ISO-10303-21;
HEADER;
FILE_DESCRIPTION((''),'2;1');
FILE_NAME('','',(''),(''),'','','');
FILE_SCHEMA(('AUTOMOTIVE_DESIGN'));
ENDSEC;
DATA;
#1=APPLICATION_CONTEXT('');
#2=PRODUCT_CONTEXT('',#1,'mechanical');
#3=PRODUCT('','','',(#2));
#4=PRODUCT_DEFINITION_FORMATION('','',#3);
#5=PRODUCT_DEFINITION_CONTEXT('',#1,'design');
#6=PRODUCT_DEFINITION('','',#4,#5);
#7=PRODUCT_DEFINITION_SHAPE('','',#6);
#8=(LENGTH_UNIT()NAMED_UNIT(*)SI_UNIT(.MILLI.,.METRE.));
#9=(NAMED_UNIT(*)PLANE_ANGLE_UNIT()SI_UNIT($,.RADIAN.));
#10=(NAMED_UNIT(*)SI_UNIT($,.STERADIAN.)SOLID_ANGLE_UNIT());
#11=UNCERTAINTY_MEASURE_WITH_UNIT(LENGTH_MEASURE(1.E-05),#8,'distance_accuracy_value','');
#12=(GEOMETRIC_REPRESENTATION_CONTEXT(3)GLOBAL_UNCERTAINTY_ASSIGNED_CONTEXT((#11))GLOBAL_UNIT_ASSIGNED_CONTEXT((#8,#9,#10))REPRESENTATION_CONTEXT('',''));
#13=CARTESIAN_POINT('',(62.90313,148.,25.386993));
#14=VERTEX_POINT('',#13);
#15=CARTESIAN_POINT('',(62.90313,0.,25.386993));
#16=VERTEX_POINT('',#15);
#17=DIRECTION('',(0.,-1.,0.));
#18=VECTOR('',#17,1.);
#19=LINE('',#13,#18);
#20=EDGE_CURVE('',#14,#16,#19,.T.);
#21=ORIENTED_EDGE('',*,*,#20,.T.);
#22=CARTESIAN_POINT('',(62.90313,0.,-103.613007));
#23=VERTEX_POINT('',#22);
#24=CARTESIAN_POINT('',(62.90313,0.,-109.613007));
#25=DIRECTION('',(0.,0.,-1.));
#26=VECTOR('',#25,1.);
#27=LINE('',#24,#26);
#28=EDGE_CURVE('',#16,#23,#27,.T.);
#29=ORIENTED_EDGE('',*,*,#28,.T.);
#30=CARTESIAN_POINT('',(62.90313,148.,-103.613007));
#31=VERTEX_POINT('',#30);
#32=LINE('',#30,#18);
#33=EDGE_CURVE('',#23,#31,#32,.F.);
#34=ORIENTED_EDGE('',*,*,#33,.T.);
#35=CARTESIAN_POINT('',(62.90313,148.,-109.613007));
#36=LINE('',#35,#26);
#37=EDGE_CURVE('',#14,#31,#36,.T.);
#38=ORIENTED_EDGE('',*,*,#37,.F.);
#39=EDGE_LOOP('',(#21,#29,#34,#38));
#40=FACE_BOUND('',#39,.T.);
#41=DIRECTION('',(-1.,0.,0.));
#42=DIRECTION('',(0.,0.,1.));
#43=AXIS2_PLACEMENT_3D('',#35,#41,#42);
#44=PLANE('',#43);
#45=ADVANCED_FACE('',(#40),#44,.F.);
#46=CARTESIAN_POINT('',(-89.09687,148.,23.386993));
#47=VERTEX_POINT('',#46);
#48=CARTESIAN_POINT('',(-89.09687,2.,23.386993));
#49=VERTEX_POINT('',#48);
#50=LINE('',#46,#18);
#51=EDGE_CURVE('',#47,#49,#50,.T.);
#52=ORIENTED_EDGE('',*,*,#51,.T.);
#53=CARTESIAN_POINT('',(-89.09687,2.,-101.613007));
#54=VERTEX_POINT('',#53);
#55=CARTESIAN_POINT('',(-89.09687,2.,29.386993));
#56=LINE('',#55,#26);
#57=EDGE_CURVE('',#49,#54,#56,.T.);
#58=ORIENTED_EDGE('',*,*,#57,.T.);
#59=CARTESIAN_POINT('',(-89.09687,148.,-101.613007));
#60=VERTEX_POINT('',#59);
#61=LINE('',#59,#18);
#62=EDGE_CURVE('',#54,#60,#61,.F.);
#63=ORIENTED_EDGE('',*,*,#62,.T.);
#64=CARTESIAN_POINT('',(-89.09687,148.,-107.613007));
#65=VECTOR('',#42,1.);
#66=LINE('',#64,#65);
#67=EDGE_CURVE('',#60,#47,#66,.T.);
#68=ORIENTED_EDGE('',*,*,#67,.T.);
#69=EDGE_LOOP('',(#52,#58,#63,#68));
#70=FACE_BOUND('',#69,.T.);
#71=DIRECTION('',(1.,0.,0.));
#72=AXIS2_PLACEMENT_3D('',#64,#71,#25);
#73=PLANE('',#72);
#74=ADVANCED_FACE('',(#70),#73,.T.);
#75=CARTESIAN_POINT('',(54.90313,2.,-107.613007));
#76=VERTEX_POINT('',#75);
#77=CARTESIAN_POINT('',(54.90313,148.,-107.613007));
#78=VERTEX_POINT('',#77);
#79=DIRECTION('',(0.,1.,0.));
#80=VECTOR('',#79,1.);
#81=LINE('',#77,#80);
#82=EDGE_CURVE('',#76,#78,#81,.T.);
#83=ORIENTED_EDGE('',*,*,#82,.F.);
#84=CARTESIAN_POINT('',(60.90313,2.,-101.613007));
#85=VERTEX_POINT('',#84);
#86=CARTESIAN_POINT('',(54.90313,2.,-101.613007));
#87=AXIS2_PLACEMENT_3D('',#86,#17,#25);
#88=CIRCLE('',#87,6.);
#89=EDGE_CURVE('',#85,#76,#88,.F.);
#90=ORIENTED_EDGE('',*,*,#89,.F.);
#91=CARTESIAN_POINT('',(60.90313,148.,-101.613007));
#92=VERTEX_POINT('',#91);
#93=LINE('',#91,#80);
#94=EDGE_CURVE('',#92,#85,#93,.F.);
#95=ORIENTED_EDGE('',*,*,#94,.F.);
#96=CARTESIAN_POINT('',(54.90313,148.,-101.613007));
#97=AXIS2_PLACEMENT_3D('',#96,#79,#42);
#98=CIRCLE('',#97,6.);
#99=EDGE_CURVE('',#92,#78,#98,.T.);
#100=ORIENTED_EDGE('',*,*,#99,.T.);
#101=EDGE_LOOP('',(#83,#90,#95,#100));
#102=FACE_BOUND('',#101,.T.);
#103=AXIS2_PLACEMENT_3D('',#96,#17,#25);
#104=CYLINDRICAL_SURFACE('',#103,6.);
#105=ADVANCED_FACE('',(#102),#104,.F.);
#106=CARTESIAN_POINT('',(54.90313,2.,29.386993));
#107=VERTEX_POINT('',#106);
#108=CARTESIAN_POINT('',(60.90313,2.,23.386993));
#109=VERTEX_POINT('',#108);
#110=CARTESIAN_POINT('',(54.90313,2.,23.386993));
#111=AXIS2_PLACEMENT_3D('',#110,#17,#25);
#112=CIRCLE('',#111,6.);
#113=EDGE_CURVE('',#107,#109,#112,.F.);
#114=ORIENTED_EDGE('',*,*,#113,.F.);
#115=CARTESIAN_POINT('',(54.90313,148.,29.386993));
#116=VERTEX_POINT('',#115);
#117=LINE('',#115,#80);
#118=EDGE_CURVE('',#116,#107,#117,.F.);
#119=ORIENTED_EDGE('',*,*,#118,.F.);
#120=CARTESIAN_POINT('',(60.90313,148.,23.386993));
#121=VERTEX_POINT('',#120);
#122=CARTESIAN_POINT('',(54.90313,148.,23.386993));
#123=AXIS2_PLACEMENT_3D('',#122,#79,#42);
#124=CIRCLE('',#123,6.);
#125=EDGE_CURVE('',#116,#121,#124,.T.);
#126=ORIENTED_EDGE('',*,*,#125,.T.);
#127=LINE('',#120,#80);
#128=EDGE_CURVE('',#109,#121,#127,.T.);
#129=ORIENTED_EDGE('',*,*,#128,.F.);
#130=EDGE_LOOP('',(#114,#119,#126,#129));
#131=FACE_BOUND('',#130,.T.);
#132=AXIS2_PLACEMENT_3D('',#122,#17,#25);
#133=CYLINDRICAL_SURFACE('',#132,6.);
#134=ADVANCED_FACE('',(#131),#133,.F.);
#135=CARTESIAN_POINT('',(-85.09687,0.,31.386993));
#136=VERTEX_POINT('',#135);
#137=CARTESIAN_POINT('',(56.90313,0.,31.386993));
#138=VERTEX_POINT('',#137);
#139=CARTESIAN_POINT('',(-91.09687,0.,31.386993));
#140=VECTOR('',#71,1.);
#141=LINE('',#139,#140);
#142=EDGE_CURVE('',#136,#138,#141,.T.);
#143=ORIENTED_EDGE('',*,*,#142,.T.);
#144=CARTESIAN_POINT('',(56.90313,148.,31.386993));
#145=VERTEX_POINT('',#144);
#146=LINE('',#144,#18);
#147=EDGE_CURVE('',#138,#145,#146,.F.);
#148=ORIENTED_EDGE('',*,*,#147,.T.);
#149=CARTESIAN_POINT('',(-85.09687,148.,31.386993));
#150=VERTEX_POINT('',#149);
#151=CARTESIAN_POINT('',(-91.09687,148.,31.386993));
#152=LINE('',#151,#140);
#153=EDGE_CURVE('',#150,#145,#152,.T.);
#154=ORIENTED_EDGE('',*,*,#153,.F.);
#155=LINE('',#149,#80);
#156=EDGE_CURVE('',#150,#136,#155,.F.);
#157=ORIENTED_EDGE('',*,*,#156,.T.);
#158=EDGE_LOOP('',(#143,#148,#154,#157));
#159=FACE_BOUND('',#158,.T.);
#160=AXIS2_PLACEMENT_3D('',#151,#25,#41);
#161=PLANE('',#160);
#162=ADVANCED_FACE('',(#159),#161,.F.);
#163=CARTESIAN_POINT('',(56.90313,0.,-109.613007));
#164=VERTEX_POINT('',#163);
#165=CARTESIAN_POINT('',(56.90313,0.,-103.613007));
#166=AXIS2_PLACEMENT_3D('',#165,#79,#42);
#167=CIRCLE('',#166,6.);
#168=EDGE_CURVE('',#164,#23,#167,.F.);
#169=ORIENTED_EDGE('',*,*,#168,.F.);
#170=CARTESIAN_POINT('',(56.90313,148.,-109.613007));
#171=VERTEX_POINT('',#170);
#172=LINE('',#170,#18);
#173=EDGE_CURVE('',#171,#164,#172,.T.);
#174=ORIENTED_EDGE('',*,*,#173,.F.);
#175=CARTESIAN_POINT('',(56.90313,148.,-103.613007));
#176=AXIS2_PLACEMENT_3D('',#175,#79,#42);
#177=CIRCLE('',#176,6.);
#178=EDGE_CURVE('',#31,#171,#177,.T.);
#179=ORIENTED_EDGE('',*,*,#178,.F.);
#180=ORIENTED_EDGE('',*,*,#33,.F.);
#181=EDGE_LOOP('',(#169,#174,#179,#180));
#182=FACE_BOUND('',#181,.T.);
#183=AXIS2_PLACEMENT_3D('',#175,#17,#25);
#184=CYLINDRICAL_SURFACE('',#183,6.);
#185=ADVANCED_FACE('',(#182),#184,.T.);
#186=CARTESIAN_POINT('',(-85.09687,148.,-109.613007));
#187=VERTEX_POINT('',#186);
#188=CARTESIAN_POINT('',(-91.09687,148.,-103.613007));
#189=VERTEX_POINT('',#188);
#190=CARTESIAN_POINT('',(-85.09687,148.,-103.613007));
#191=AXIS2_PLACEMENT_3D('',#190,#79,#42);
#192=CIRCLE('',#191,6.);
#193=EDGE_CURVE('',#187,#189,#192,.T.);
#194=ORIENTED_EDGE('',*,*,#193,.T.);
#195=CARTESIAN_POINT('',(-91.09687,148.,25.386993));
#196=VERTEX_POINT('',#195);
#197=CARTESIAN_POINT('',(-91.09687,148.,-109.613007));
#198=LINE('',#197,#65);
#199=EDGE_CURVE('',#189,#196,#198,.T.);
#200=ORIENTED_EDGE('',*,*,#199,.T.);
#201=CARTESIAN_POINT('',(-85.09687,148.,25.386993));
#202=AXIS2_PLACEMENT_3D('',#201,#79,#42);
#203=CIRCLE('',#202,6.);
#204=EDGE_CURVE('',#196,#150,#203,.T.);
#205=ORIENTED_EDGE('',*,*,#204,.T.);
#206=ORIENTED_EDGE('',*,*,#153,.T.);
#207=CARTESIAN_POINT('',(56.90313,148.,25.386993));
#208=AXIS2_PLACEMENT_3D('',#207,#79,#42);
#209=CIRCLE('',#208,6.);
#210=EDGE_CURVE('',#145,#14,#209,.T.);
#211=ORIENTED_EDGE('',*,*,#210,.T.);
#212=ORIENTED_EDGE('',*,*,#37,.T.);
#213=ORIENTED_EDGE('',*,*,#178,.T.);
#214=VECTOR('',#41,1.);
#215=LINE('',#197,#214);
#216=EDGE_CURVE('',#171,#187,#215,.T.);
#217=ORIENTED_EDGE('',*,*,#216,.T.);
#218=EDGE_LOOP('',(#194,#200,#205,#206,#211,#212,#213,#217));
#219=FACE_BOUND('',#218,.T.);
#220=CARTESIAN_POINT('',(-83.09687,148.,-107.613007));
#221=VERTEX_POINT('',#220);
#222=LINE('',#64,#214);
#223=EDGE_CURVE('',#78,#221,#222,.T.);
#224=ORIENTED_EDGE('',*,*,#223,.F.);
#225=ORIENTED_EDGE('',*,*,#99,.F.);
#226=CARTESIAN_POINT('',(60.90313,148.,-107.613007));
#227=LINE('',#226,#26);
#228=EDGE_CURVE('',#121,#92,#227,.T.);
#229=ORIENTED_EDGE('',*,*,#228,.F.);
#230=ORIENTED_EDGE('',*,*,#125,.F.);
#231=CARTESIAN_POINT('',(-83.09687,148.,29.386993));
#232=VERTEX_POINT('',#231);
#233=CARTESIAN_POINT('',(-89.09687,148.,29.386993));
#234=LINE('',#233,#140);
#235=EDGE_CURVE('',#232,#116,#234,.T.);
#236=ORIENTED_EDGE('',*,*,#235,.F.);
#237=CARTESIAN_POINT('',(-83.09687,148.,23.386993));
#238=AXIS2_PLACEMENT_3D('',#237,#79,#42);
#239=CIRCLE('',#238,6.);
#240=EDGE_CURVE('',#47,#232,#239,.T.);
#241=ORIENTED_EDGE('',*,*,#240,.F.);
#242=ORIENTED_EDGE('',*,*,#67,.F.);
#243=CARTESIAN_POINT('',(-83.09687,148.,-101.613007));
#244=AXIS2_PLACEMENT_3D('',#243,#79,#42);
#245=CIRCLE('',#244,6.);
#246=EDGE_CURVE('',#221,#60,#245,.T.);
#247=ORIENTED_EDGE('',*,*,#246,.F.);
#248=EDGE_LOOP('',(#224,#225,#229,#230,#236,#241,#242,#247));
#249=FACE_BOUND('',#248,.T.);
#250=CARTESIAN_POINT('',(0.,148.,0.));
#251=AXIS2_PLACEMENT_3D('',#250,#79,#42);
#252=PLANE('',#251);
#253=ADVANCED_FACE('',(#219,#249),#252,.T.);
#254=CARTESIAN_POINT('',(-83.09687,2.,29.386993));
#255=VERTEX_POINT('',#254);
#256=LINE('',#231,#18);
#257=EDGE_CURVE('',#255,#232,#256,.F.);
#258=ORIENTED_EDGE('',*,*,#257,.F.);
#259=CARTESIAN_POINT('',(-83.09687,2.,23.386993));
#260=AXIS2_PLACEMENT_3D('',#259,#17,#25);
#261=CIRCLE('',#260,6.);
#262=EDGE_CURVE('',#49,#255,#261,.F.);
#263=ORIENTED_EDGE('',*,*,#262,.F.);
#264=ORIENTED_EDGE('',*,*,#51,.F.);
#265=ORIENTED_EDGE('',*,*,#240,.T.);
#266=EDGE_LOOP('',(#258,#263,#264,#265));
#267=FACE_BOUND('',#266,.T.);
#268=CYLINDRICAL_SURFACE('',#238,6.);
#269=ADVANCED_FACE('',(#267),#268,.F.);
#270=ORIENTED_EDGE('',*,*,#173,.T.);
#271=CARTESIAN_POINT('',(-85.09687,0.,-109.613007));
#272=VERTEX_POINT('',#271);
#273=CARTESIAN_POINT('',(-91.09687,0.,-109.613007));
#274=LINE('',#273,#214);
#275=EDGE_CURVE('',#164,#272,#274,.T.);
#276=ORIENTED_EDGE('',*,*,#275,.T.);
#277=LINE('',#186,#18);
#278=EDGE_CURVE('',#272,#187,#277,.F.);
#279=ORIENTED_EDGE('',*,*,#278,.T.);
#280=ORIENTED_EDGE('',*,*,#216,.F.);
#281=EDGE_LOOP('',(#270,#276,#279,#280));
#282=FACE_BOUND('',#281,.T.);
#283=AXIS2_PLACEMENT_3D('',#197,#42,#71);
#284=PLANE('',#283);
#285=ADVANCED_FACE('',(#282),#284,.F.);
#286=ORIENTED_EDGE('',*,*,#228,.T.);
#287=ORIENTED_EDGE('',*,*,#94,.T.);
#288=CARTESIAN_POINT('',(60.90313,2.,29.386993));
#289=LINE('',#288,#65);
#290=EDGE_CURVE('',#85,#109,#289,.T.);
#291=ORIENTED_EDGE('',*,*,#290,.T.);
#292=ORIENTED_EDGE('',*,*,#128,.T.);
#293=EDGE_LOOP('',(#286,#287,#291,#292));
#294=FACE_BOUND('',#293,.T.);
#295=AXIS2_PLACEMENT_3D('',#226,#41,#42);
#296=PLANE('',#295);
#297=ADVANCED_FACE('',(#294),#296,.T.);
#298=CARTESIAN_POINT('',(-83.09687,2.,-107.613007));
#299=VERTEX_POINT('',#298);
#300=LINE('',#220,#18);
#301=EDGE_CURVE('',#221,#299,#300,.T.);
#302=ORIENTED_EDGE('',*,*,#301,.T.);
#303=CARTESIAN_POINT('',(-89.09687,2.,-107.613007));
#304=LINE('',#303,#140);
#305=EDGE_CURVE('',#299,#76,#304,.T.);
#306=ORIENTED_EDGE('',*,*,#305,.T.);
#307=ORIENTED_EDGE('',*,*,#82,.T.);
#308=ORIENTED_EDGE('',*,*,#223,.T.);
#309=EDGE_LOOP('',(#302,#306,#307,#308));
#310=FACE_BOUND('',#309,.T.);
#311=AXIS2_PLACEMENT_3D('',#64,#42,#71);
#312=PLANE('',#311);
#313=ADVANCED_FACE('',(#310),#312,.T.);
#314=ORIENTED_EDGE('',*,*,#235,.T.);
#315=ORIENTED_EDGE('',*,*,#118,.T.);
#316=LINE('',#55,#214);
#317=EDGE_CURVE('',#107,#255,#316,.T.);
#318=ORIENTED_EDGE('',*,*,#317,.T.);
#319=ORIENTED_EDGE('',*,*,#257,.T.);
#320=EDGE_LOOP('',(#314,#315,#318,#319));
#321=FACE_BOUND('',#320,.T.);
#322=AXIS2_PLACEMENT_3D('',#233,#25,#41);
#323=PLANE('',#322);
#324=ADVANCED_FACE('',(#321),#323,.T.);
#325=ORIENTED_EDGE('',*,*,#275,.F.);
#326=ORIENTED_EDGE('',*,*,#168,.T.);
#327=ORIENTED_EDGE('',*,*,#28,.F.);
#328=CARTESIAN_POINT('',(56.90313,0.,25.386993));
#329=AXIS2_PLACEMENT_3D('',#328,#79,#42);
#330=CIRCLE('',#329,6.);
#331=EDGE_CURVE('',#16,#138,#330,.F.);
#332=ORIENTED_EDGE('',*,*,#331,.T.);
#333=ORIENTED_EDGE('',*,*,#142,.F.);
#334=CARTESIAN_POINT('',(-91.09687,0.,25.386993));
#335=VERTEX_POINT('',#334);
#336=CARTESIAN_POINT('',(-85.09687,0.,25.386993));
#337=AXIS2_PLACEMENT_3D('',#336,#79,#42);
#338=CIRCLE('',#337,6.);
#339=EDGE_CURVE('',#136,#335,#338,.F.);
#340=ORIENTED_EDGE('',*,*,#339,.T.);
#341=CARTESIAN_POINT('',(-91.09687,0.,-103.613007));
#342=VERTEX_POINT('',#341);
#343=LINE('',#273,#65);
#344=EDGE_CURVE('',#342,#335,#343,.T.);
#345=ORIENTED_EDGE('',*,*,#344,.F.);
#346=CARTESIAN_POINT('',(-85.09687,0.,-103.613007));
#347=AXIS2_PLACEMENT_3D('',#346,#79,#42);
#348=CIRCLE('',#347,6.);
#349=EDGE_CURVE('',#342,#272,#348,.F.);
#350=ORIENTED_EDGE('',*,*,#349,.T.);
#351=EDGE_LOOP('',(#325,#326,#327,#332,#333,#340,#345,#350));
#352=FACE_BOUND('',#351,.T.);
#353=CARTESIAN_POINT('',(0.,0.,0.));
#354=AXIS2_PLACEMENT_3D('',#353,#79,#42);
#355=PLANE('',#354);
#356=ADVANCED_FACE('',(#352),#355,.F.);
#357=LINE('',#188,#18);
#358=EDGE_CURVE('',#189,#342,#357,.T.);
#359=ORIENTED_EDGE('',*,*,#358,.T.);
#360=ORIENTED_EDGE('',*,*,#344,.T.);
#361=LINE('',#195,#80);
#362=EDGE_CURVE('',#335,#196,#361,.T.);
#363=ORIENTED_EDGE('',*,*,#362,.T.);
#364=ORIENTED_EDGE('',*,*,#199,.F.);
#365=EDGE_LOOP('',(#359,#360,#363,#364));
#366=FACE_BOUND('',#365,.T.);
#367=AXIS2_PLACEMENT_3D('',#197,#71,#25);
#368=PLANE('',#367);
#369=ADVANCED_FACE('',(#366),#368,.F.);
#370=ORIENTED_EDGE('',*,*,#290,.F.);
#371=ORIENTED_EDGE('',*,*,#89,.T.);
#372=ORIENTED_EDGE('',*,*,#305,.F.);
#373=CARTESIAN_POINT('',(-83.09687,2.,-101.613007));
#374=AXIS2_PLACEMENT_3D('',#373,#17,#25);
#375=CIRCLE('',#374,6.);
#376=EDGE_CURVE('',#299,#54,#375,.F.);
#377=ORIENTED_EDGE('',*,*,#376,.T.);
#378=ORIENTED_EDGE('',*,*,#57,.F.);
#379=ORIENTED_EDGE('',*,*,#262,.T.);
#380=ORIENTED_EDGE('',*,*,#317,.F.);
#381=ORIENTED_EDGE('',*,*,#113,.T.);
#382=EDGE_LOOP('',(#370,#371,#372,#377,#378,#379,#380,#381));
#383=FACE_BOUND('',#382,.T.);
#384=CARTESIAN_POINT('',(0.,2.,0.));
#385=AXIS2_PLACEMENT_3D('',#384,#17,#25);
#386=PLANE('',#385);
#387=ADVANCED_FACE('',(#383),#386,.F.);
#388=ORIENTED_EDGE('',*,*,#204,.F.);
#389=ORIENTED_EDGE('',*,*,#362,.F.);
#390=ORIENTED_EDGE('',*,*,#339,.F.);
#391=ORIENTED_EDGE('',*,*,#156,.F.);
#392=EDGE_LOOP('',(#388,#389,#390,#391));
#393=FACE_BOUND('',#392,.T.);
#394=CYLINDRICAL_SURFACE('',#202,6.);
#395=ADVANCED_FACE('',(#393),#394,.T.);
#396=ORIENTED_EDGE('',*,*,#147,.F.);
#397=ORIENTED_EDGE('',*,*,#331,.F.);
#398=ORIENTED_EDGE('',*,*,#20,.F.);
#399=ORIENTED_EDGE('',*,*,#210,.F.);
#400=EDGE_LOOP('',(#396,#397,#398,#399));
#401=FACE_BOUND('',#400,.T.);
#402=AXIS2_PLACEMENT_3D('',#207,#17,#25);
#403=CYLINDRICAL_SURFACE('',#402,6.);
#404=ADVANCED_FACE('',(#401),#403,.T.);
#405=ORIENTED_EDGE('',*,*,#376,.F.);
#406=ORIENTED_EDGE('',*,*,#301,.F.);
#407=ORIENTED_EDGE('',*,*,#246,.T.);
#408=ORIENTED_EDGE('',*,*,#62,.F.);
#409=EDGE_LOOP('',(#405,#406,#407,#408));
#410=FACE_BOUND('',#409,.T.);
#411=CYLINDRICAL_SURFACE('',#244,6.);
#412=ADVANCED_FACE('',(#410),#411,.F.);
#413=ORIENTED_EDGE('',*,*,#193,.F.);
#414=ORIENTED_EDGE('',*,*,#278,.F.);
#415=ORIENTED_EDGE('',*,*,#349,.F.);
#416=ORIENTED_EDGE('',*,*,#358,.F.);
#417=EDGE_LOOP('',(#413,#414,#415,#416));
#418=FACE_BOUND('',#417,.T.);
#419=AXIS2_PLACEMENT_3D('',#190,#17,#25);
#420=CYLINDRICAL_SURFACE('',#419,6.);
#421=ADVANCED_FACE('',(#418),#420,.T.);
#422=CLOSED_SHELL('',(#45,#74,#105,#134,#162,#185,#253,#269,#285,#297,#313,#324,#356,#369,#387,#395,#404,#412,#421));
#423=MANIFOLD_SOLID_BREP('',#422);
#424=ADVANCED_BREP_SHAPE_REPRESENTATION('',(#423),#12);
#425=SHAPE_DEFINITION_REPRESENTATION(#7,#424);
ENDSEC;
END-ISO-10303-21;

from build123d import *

# Parameters (mm, degrees)
SKETCH1_W           = 154
SKETCH1_H           = 141
SKETCH1_W_2         = 150
SKETCH1_H_2         = 137
BOSS_EXTRUDE1_DEPTH = 148
SKETCH4_W           = 150
SKETCH4_H           = 137
BOSS_EXTRUDE2_DEPTH = 2
FILLET1_R           = 6
FILLET2_R           = 6
FILLET3_R           = 6
FILLET4_R           = 6
FILLET5_R           = 6
FILLET6_R           = 6
FILLET7_R           = 6
FILLET8_R           = 6


with BuildPart() as part:
    # Sketch1 → Boss-Extrude1 (new body)
    with BuildSketch(Plane(origin=(0, 0, 0), x_dir=(1, 0, 0), z_dir=(0, 1, 0))):
        with Locations((-14.096869638, 39.113007283)):
            Rectangle(SKETCH1_W, SKETCH1_H)
        with Locations((-14.096869638, 39.113007283)):
            Rectangle(SKETCH1_W_2, SKETCH1_H_2, mode=Mode.SUBTRACT)
    extrude(amount=BOSS_EXTRUDE1_DEPTH)

    # Sketch4 → Boss-Extrude2 (add)
    with BuildSketch(Plane.XZ):
        with Locations((-14.096869638, -39.113007283)):
            Rectangle(SKETCH4_W, SKETCH4_H)
    extrude(amount=-BOSS_EXTRUDE2_DEPTH)

    # Fillet1
    fillet1_edges = [part.edges().sort_by_distance(p)[0] for p in [
        (62.903130362, 74, 31.386992717),
    ]]
    fillet(fillet1_edges, radius=FILLET1_R)

    # Fillet2
    fillet2_edges = [part.edges().sort_by_distance(p)[0] for p in [
        (60.903130362, 75, 29.386992717),
    ]]
    fillet(fillet2_edges, radius=FILLET2_R)

    # Fillet3
    fillet3_edges = [part.edges().sort_by_distance(p)[0] for p in [
        (-89.096869638, 75, 29.386992717),
    ]]
    fillet(fillet3_edges, radius=FILLET3_R)

    # Fillet4
    fillet4_edges = [part.edges().sort_by_distance(p)[0] for p in [
        (-91.096869638, 74, 31.386992717),
    ]]
    fillet(fillet4_edges, radius=FILLET4_R)

    # Fillet5
    fillet5_edges = [part.edges().sort_by_distance(p)[0] for p in [
        (62.903130362, 74, -109.613007283),
    ]]
    fillet(fillet5_edges, radius=FILLET5_R)

    # Fillet6
    fillet6_edges = [part.edges().sort_by_distance(p)[0] for p in [
        (-91.096869638, 74, -109.613007283),
    ]]
    fillet(fillet6_edges, radius=FILLET6_R)

    # Fillet7
    fillet7_edges = [part.edges().sort_by_distance(p)[0] for p in [
        (-89.096869638, 75, -107.613007283),
    ]]
    fillet(fillet7_edges, radius=FILLET7_R)

    # Fillet8
    fillet8_edges = [part.edges().sort_by_distance(p)[0] for p in [
        (60.903130362, 75, -107.613007283),
    ]]
    fillet(fillet8_edges, radius=FILLET8_R)


solid = part.part
